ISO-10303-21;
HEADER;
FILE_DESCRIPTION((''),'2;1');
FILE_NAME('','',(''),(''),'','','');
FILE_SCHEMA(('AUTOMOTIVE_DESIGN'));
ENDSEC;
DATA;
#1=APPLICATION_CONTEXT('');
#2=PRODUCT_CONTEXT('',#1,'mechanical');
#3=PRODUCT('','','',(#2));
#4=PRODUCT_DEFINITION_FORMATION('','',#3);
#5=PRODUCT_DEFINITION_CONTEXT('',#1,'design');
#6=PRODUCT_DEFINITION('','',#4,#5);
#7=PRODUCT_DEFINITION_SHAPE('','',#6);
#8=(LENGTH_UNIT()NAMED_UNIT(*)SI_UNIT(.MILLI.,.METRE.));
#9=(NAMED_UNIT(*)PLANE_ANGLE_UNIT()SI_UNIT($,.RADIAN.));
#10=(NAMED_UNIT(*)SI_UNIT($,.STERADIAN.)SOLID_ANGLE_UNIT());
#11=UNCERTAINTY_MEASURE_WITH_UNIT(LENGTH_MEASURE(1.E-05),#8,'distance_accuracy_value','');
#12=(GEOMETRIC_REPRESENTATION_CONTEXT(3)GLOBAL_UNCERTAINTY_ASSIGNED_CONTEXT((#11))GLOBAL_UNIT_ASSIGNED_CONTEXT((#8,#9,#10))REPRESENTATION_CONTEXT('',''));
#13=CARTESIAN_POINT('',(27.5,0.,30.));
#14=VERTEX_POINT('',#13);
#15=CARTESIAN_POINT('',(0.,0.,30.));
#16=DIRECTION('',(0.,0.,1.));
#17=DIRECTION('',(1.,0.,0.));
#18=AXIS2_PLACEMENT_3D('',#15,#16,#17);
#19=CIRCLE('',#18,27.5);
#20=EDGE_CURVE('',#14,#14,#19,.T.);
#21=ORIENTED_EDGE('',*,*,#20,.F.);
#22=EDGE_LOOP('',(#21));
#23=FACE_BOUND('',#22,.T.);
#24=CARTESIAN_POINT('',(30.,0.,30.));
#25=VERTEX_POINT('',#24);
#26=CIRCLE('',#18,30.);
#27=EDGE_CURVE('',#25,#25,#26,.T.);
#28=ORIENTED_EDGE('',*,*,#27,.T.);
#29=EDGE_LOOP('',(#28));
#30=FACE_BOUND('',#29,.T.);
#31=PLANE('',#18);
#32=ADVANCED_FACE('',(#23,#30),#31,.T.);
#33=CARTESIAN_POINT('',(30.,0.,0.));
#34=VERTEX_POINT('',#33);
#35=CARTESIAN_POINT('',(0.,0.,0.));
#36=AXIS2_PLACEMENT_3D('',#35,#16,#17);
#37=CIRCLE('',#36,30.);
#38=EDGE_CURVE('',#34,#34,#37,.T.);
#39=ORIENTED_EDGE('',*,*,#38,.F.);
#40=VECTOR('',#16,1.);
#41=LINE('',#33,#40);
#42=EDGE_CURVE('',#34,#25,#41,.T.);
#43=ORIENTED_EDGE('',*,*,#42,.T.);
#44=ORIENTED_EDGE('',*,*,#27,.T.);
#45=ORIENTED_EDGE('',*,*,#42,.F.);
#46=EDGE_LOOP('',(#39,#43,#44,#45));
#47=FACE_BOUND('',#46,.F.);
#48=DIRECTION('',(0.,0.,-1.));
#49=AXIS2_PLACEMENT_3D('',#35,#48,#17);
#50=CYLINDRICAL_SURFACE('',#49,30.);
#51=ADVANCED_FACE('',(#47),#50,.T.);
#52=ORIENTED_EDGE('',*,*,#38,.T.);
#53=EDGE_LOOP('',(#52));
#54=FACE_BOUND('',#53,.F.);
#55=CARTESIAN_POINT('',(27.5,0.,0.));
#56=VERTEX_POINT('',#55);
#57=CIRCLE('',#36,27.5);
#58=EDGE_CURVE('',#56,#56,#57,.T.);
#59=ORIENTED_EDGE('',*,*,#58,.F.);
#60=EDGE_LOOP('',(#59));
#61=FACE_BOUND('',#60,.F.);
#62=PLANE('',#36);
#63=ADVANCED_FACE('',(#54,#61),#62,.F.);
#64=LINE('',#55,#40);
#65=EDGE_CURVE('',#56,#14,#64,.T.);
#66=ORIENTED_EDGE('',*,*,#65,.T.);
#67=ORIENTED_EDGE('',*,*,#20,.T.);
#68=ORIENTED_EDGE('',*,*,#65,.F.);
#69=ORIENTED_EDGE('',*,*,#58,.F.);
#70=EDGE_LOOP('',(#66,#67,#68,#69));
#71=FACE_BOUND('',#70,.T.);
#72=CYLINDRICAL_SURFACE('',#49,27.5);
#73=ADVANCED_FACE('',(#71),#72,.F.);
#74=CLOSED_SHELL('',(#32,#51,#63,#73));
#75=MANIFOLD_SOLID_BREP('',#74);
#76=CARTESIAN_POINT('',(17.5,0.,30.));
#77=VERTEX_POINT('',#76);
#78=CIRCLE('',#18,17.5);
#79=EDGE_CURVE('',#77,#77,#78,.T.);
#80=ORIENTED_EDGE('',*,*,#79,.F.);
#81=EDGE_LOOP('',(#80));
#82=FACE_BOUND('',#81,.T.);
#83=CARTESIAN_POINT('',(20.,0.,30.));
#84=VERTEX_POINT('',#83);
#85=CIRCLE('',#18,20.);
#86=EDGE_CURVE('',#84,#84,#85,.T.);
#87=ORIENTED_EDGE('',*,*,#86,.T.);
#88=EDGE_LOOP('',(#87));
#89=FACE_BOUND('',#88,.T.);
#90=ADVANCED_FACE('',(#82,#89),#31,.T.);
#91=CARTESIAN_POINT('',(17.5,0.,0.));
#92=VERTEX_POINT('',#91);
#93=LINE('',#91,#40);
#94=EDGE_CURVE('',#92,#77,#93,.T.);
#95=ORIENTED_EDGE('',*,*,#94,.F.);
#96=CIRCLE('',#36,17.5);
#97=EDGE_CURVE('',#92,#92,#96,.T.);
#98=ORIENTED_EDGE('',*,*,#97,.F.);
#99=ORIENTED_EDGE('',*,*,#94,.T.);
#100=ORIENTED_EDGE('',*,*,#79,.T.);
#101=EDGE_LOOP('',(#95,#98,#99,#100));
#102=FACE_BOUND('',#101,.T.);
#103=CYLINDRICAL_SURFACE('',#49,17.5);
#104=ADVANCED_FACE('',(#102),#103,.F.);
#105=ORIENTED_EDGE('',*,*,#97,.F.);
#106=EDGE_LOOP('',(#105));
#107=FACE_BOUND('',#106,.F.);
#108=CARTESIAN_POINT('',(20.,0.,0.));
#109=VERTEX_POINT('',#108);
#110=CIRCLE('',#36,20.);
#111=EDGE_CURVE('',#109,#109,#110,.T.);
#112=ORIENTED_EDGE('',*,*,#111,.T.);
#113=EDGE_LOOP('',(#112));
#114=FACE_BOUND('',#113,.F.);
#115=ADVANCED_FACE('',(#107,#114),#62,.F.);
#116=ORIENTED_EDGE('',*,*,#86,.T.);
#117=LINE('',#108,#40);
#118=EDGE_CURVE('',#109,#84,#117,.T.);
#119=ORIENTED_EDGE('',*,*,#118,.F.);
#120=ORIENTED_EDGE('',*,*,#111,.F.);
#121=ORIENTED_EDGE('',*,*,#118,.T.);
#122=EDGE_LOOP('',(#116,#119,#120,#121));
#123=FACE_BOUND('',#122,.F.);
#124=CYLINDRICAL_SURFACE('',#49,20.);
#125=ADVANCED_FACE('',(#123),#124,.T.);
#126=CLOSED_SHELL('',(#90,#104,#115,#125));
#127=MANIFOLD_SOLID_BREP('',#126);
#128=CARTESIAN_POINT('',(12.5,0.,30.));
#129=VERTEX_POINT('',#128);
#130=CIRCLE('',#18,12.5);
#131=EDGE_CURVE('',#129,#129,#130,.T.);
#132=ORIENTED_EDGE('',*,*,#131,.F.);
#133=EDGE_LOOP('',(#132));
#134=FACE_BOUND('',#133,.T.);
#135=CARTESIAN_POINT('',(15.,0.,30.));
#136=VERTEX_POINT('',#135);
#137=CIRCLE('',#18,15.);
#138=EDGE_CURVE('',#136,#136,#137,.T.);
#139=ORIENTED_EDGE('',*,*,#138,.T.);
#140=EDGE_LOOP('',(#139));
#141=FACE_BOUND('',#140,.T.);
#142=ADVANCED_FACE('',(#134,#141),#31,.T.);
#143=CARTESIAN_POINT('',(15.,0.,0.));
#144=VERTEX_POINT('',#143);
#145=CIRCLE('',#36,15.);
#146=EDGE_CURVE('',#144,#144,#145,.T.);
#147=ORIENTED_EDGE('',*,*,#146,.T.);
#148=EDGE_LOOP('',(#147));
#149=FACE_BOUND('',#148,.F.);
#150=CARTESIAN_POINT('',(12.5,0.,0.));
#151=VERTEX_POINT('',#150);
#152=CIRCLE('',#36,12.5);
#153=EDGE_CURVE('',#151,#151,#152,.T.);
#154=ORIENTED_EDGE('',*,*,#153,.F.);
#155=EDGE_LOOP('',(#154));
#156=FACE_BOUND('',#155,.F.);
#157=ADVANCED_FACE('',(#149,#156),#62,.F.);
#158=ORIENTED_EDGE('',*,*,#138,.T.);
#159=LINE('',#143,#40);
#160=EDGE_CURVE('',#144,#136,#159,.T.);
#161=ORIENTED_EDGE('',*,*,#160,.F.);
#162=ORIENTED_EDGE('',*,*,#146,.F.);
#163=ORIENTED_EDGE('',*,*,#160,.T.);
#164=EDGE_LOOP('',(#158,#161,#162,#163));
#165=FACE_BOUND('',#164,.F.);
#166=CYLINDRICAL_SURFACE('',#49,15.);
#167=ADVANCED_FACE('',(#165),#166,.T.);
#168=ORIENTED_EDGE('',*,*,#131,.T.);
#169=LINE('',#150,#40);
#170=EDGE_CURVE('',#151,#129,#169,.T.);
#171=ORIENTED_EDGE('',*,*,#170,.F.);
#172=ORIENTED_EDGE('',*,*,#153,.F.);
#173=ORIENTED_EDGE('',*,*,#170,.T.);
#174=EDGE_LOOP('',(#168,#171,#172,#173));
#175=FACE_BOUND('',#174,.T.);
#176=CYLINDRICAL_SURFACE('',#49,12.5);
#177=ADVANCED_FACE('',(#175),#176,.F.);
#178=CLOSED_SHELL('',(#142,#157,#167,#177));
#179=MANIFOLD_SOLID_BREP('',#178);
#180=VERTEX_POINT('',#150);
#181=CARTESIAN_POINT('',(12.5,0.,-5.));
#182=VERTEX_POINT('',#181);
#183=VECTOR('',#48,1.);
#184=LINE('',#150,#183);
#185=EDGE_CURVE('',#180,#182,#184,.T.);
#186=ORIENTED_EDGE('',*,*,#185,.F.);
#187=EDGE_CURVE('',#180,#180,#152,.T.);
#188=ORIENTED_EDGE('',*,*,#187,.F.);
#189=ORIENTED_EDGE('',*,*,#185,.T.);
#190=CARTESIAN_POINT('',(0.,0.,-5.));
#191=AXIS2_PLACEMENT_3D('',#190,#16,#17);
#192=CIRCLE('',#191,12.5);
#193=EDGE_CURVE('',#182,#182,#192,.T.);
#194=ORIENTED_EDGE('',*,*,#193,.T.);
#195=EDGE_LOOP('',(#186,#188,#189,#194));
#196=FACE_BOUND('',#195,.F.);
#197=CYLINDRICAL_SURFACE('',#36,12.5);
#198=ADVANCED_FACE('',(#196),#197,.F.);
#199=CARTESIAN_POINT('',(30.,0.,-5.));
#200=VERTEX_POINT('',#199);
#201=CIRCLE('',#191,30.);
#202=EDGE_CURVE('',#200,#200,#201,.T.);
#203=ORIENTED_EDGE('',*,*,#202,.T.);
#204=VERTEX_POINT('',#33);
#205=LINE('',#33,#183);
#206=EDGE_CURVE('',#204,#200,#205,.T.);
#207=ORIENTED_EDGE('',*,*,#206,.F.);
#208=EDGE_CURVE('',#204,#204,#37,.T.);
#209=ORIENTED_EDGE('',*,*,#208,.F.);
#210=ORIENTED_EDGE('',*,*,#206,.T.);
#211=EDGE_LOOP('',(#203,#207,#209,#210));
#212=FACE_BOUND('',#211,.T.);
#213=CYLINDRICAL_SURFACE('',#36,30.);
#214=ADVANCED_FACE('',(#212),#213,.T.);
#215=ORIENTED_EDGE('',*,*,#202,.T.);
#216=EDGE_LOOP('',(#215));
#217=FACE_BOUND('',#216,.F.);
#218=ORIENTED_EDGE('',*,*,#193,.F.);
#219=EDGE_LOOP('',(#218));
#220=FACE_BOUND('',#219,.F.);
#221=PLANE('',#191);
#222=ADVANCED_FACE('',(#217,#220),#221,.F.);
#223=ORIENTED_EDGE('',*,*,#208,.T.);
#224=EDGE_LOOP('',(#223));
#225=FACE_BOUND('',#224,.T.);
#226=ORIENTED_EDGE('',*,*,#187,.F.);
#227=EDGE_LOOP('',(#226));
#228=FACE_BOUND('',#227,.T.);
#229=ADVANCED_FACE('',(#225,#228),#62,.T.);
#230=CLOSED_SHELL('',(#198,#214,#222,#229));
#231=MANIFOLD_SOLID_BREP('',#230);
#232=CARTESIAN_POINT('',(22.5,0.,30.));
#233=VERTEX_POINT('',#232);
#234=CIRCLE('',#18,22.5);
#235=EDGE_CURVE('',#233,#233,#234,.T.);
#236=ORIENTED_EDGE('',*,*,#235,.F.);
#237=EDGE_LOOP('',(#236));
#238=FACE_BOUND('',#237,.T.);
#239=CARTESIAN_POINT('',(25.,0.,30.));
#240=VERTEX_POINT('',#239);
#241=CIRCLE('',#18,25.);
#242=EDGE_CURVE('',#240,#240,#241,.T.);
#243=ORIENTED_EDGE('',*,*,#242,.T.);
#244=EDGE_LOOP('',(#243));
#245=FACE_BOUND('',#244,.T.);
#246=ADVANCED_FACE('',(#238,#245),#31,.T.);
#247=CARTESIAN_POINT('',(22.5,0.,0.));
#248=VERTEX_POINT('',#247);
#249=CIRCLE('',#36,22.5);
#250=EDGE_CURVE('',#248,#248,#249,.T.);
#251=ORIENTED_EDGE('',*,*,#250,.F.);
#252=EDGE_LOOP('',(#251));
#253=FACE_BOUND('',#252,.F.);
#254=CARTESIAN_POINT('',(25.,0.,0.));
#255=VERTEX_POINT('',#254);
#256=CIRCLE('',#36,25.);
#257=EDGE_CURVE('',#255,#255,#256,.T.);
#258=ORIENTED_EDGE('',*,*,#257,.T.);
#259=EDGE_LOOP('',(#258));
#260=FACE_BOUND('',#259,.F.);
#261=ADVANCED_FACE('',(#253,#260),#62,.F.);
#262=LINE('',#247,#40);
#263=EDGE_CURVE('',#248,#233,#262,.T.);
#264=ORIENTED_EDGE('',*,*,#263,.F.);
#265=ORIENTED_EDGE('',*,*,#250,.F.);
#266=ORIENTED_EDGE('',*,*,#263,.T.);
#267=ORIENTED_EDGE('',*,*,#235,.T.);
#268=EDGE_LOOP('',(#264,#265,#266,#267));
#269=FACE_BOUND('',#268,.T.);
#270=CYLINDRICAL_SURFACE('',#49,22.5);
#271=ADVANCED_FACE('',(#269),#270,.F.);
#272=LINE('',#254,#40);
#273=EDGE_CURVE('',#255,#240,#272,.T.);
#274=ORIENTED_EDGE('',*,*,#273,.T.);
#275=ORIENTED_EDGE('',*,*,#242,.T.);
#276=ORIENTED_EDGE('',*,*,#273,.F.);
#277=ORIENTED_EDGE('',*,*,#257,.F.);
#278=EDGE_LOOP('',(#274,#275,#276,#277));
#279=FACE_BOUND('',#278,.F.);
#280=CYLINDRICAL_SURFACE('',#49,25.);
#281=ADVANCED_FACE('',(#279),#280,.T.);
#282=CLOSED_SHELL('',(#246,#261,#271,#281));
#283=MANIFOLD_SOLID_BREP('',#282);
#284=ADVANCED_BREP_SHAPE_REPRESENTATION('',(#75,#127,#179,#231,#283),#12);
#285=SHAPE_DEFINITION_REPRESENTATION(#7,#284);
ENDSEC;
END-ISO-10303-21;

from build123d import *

# Parameters (mm, degrees)
F0_R     = 15
F0_R_2   = 12.5
F1_DEPTH = 30
F0_R_3   = 20
F0_R_4   = 17.5
F0_R_5   = 25
F0_R_6   = 22.5
F0_R_7   = 30
F0_R_8   = 27.5
F2_R     = 30
F2_R_2   = 12.5
F3_DEPTH = 5


with BuildPart() as f1:
    # F0 (on Top) → F1 (new body)
    with BuildSketch(Plane.XY):
        Circle(F0_R)
        Circle(F0_R_2, mode=Mode.SUBTRACT)
    extrude(amount=F1_DEPTH)


with BuildPart() as f1b:
    # F0 (on Top) → F1, piece 2 (new body)
    with BuildSketch(Plane.XY):
        Circle(F0_R_3)
        Circle(F0_R_4, mode=Mode.SUBTRACT)
    extrude(amount=F1_DEPTH)


with BuildPart() as f1c:
    # F0 (on Top) → F1, piece 3 (new body)
    with BuildSketch(Plane.XY):
        Circle(F0_R_5)
        Circle(F0_R_6, mode=Mode.SUBTRACT)
    extrude(amount=F1_DEPTH)


with BuildPart() as f1d:
    # F0 (on Top) → F1, piece 4 (new body)
    with BuildSketch(Plane.XY):
        Circle(F0_R_7)
        Circle(F0_R_8, mode=Mode.SUBTRACT)
    extrude(amount=F1_DEPTH)


with BuildPart() as f3:
    # F2 (on Top) → F3 (new body)
    with BuildSketch(Plane.XY):
        Circle(F2_R)
        Circle(F2_R_2, mode=Mode.SUBTRACT)
    extrude(amount=-F3_DEPTH)


solid = Compound([f1.part, f1b.part, f1c.part, f1d.part, f3.part])
